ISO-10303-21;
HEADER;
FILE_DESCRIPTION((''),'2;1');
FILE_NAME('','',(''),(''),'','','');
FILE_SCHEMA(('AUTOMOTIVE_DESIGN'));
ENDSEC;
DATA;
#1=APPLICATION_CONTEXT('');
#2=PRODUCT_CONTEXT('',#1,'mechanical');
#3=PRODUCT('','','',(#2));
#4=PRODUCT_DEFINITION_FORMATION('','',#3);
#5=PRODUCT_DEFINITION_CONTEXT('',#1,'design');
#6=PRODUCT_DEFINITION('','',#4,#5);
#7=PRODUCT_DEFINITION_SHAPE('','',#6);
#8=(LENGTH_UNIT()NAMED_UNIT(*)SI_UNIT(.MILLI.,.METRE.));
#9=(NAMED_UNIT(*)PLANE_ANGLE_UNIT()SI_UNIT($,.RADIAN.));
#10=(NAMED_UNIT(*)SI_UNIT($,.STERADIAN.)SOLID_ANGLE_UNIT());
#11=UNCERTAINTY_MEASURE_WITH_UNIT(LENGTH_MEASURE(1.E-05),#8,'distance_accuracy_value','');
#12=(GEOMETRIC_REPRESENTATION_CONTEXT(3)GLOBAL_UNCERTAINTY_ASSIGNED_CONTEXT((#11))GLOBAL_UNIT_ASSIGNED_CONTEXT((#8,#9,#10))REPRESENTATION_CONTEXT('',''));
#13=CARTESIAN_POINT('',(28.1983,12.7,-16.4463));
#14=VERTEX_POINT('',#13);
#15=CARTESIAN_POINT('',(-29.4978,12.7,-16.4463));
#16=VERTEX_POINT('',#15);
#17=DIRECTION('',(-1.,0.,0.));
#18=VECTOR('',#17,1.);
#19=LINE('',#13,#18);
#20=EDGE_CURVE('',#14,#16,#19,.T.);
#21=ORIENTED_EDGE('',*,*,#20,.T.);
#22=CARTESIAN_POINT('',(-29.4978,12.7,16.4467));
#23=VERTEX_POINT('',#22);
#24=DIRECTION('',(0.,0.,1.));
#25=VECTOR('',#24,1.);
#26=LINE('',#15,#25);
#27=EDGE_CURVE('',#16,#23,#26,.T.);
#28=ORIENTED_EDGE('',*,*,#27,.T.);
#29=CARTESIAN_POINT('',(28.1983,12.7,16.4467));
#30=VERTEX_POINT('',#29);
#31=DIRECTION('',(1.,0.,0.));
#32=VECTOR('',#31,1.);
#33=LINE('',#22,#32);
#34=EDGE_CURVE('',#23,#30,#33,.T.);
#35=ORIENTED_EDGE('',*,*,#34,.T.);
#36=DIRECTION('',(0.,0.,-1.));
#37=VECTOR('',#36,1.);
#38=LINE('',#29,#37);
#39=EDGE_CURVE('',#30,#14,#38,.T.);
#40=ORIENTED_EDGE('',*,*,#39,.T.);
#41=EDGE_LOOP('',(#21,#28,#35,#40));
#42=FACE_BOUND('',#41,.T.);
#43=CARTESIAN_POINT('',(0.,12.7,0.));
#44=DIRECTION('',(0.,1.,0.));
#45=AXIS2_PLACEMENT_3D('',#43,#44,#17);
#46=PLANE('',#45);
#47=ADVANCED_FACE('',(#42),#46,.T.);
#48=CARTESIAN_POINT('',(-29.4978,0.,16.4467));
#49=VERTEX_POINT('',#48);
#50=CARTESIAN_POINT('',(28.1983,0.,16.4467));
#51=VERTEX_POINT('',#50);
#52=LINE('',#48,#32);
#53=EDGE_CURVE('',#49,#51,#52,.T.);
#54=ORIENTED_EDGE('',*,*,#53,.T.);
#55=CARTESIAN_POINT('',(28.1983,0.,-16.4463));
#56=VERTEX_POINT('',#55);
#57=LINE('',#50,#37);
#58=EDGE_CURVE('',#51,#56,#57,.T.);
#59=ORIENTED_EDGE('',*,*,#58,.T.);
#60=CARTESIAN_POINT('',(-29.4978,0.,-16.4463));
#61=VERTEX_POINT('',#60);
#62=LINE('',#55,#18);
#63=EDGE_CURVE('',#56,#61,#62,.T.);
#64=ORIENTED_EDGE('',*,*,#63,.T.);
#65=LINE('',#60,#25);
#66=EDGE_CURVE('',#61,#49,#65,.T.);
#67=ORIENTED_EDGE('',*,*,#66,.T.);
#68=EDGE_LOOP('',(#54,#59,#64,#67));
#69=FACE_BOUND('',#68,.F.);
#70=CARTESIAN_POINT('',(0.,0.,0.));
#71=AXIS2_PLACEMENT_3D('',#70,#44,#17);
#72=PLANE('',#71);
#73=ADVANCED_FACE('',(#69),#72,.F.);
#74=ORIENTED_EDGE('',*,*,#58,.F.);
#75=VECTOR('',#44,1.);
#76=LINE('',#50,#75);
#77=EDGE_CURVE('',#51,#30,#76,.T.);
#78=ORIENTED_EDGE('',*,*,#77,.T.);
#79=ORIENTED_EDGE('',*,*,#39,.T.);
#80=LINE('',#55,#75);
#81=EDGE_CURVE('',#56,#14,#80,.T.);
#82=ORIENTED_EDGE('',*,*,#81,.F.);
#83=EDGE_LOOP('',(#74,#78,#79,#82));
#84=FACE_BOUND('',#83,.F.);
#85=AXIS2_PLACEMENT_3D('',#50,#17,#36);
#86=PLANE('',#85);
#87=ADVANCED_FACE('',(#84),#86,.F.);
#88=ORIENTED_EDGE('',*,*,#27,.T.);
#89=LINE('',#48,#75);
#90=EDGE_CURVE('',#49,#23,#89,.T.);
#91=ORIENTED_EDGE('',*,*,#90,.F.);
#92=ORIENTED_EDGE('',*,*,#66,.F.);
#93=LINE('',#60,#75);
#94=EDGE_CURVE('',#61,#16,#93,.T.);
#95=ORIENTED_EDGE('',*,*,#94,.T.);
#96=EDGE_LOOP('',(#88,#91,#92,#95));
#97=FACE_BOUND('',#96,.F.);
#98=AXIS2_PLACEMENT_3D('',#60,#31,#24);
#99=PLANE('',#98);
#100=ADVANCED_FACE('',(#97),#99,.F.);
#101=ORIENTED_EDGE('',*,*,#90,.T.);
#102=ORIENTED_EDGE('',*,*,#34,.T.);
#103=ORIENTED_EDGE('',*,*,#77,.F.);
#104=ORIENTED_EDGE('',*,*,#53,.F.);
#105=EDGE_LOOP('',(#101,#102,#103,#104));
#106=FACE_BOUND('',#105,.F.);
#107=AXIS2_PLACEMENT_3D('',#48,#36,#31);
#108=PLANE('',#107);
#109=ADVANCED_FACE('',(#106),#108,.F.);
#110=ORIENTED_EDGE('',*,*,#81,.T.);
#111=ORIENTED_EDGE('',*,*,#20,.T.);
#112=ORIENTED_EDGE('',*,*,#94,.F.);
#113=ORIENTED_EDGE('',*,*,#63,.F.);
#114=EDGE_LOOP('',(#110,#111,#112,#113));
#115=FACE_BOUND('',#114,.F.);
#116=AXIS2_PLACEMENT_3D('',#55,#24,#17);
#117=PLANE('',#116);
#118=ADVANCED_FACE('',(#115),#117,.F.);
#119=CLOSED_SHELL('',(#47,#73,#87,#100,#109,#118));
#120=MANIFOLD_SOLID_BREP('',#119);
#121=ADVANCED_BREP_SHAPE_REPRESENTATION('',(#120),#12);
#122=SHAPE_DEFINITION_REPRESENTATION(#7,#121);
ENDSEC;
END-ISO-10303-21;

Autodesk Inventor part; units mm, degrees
ref_plane "YZ Plane" through (0, 0, 0) normal (1, 0, 0) x (0, 1, 0)
ref_plane "XZ Plane" through (0, 0, 0) normal (0, 1, 0) x (-1, 0, 0)
ref_plane "XY Plane" through (0, 0, 0) normal (0, 0, 1) x (1, 0, 0)
sketch "Sketch1" plane through (0, 0, 0) normal (0, 1, 0) x (-1, 0, 0)
  line L0 (29.4978, 16.4467) -> (-28.1983, 16.4467)
  line L1 (-28.1983, 16.4467) -> (-28.1983, -16.4463)
  line L2 (-28.1983, -16.4463) -> (29.4978, -16.4463)
  line L3 (29.4978, -16.4463) -> (29.4978, 16.4467)
  point P0 (0, 0)
  dimension "d0" = 57.6961
  dimension "d1" = 32.893
extrude "Extrusion1" add sketch "Sketch1" along normal blind 12.7
properties part number "Custom.Motor.Caps"
